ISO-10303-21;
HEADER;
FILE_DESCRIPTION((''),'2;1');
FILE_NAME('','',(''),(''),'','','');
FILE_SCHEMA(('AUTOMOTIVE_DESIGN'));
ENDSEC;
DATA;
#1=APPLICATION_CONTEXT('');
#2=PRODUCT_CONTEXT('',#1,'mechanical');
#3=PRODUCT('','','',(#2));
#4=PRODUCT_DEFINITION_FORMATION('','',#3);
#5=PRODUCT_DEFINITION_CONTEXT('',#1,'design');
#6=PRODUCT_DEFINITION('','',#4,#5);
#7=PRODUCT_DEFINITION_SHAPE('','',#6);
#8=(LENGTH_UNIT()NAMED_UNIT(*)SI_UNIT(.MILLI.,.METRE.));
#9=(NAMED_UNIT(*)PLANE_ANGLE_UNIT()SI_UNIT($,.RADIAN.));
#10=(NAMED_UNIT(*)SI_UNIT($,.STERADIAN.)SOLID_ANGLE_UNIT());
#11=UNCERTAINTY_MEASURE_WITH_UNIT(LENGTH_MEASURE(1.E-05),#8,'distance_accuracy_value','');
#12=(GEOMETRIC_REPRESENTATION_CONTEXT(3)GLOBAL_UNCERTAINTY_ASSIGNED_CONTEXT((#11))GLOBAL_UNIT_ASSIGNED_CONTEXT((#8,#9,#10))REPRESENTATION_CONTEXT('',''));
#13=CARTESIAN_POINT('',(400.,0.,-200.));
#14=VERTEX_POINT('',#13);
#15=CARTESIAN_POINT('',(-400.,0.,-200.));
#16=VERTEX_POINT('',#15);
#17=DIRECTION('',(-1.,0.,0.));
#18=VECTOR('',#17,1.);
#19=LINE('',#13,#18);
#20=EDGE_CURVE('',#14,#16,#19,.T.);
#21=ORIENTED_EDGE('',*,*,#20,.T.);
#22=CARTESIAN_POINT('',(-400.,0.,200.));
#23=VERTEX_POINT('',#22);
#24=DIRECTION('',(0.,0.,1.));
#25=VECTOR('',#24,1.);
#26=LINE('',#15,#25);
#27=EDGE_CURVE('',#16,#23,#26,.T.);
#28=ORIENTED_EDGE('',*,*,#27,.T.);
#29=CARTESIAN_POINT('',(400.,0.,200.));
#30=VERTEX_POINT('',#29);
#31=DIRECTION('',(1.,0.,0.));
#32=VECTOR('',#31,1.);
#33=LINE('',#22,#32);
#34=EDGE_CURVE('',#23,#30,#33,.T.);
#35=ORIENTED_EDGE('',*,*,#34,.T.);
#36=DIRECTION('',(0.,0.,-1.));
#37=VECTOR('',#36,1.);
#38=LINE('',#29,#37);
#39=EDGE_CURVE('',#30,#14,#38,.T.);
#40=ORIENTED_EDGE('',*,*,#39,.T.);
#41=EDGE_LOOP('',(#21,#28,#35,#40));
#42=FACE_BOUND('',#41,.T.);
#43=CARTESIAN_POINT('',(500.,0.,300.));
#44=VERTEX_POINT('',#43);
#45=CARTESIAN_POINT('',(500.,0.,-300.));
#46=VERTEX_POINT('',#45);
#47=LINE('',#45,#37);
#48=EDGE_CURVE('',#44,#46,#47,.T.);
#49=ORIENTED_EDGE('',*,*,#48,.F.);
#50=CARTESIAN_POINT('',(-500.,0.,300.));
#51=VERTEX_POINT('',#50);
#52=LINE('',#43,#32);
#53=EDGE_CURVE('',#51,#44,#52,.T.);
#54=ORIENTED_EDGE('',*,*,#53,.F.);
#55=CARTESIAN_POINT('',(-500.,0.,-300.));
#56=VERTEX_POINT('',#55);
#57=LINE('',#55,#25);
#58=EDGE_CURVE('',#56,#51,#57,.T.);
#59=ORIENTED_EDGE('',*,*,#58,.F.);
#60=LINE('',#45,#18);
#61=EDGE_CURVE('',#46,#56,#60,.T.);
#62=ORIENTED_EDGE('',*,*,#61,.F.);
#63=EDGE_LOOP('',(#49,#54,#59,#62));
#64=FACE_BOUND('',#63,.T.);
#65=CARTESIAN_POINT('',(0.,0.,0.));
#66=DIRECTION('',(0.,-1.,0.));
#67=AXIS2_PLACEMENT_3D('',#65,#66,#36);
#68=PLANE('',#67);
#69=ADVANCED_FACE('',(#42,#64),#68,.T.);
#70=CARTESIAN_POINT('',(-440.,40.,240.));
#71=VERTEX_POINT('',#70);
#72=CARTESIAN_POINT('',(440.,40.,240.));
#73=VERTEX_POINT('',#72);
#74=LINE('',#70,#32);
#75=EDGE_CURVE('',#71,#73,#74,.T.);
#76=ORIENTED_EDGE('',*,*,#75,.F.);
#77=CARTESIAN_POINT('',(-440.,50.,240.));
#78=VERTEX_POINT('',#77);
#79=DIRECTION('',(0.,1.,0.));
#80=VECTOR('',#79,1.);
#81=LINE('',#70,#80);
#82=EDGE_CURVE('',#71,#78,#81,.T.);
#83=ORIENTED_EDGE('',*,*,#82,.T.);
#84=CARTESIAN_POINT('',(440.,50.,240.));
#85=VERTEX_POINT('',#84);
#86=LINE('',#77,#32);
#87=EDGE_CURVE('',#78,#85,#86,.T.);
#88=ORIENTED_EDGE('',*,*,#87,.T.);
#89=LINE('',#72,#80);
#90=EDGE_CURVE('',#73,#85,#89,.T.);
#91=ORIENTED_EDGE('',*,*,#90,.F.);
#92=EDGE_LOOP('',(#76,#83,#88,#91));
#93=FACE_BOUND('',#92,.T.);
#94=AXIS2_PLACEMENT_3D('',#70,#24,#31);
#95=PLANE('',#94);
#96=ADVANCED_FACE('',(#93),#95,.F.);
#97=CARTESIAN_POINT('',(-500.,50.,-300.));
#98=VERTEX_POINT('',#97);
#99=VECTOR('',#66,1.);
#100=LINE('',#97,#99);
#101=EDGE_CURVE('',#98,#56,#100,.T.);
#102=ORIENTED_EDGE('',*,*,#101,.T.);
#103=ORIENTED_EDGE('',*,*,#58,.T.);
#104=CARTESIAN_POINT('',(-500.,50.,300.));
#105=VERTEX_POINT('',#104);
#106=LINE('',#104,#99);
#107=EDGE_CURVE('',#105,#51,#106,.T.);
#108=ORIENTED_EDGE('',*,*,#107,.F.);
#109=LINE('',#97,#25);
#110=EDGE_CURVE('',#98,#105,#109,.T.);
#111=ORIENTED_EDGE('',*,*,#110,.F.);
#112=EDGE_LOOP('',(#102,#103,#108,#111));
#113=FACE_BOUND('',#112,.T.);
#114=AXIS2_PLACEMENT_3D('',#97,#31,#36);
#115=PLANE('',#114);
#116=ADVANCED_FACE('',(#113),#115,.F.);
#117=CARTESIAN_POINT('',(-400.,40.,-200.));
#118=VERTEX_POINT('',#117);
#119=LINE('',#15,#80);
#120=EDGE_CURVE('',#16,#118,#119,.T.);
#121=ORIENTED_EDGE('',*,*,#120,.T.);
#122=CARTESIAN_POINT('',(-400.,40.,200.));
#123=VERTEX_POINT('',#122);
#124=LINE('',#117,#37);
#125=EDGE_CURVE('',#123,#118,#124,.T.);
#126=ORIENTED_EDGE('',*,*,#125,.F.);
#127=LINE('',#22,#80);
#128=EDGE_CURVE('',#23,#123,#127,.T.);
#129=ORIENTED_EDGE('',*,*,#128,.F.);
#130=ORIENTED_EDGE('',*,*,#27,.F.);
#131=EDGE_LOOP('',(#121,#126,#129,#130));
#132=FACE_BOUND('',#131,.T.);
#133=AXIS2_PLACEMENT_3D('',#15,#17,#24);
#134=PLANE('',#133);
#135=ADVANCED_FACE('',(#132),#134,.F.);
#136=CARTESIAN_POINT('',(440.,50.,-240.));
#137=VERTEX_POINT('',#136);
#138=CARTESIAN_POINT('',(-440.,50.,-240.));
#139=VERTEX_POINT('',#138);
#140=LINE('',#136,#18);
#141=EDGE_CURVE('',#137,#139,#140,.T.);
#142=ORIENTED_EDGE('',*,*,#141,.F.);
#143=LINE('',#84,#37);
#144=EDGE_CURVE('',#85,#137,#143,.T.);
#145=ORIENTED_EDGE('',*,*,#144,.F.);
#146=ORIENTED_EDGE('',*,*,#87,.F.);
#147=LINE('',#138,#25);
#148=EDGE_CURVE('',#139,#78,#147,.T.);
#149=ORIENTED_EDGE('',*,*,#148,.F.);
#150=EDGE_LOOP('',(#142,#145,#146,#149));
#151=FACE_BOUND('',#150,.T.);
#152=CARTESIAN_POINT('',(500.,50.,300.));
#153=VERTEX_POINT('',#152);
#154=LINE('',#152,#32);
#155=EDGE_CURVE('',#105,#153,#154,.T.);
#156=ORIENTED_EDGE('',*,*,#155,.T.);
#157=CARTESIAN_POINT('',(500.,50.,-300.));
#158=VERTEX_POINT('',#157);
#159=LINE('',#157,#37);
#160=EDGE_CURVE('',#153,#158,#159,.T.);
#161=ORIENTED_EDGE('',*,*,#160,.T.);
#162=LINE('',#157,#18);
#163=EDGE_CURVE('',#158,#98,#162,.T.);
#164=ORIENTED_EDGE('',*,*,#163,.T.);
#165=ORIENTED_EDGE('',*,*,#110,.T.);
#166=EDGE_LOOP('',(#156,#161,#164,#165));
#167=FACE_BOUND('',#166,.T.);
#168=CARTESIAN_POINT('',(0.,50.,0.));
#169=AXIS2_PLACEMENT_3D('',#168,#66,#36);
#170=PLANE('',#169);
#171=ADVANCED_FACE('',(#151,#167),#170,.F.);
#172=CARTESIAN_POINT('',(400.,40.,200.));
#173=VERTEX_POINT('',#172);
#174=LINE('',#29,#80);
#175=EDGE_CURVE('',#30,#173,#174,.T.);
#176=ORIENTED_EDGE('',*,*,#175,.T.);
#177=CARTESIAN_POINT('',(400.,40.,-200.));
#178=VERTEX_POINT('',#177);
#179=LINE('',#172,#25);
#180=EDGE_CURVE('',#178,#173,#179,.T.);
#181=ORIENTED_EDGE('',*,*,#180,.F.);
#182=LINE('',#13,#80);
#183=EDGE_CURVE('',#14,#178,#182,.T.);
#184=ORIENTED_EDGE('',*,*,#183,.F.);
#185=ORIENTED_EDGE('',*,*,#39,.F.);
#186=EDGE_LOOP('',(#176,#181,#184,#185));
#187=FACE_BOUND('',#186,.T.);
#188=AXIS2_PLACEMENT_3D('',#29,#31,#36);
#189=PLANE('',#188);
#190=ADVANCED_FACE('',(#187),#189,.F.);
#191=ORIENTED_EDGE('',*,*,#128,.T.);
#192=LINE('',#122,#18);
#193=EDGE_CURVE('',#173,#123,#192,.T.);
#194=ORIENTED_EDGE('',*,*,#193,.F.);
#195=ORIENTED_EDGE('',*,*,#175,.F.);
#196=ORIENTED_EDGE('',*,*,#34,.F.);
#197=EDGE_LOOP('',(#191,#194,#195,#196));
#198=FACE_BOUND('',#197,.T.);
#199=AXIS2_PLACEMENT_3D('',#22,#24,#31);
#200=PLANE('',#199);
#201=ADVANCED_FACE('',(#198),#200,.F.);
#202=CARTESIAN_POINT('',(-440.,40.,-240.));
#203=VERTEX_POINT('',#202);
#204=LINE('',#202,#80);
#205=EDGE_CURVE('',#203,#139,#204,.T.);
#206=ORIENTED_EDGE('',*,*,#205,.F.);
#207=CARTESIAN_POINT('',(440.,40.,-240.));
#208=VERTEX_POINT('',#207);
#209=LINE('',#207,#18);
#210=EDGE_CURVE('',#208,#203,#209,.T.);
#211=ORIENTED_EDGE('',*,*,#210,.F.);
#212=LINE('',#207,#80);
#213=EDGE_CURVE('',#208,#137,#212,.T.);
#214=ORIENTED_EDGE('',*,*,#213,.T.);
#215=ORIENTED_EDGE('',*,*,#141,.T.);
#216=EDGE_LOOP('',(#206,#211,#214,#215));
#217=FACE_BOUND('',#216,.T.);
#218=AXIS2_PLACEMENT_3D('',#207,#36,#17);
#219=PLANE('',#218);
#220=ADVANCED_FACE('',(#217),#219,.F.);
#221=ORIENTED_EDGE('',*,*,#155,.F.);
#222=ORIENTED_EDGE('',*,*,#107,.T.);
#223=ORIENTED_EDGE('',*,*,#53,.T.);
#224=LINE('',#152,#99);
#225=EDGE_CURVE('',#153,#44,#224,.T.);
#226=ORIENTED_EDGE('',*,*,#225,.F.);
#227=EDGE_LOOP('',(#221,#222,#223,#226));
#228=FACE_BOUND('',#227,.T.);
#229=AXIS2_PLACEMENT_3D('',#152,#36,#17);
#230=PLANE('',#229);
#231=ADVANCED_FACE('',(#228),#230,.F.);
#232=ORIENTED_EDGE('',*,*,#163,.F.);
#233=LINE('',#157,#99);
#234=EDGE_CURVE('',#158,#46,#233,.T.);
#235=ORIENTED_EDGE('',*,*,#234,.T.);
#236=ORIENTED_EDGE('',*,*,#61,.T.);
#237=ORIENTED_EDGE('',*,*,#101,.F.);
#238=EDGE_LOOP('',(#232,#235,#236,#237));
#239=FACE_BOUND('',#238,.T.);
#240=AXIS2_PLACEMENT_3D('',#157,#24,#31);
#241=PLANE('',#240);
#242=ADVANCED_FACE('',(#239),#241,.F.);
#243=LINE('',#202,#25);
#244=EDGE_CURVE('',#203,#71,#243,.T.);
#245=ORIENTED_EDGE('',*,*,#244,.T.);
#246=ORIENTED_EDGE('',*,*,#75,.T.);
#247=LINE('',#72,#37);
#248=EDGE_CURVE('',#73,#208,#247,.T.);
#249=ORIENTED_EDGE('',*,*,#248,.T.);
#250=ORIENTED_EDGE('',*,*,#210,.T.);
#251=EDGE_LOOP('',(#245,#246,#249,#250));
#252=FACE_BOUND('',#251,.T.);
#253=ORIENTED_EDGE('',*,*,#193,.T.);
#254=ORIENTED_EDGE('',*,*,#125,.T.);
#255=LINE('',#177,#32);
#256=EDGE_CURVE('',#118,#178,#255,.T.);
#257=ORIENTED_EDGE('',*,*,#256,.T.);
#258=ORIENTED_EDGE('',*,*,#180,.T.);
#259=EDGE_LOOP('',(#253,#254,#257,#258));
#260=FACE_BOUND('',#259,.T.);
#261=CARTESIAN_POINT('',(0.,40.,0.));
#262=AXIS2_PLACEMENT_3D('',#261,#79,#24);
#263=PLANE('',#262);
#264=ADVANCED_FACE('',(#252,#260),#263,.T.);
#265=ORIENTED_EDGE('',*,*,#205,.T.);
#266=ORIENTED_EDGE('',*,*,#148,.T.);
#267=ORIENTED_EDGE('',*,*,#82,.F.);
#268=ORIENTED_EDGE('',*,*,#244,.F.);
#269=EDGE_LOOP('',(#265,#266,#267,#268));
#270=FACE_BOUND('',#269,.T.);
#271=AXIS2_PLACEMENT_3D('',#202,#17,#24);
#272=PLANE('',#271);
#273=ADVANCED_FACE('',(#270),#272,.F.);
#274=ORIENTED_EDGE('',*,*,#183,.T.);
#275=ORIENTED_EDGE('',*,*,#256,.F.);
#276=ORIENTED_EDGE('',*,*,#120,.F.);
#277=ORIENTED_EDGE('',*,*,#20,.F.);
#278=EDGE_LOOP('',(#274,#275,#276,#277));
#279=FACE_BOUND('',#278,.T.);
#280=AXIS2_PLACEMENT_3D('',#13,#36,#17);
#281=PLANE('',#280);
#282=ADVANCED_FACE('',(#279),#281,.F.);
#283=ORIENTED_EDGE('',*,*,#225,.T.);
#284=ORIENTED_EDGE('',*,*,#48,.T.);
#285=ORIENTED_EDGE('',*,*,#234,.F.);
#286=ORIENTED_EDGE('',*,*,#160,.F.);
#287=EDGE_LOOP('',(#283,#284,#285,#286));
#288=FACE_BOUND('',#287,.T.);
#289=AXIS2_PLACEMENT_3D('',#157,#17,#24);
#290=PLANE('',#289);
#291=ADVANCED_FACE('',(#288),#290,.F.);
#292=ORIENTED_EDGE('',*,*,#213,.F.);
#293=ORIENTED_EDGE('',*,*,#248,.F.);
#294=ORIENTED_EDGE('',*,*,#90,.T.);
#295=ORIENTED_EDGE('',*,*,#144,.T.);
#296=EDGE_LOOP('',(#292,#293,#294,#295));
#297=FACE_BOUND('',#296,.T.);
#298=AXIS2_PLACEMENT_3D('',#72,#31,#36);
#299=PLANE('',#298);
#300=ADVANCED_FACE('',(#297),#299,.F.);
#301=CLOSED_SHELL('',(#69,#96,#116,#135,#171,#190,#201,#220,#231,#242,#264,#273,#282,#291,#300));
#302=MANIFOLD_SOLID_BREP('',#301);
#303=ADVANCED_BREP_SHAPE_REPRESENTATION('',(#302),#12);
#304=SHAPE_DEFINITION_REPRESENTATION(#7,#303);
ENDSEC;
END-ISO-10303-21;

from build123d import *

# Parameters (mm, degrees)
SKETCH1_W           = 1000
SKETCH1_H           = 600
BOSS_EXTRUDE1_DEPTH = 50
SKETCH2_W           = 800
SKETCH2_H           = 400
CUT_EXTRUDE1_DEPTH  = 51
SKETCH3_W           = 880
SKETCH3_H           = 480
CUT_EXTRUDE2_DEPTH  = 10


with BuildPart() as part:
    # Sketch1 → Boss-Extrude1 (new body)
    with BuildSketch(Plane(origin=(0, 0, 0), x_dir=(1, 0, 0), z_dir=(0, 1, 0))):
        Rectangle(SKETCH1_W, SKETCH1_H)
    extrude(amount=BOSS_EXTRUDE1_DEPTH)

    # Sketch2 → Cut-Extrude1 (cut, through all)
    with BuildSketch(Plane(origin=(0, 50, 0), x_dir=(1, 0, 0), z_dir=(0, 1, 0))):
        Rectangle(SKETCH2_W, SKETCH2_H)
    extrude(amount=-CUT_EXTRUDE1_DEPTH, mode=Mode.SUBTRACT)

    # Sketch3 → Cut-Extrude2 (cut)
    with BuildSketch(Plane(origin=(0, 50, 0), x_dir=(1, 0, 0), z_dir=(0, 1, 0))):
        Rectangle(SKETCH3_W, SKETCH3_H)
    extrude(amount=-CUT_EXTRUDE2_DEPTH, mode=Mode.SUBTRACT)


solid = part.part
